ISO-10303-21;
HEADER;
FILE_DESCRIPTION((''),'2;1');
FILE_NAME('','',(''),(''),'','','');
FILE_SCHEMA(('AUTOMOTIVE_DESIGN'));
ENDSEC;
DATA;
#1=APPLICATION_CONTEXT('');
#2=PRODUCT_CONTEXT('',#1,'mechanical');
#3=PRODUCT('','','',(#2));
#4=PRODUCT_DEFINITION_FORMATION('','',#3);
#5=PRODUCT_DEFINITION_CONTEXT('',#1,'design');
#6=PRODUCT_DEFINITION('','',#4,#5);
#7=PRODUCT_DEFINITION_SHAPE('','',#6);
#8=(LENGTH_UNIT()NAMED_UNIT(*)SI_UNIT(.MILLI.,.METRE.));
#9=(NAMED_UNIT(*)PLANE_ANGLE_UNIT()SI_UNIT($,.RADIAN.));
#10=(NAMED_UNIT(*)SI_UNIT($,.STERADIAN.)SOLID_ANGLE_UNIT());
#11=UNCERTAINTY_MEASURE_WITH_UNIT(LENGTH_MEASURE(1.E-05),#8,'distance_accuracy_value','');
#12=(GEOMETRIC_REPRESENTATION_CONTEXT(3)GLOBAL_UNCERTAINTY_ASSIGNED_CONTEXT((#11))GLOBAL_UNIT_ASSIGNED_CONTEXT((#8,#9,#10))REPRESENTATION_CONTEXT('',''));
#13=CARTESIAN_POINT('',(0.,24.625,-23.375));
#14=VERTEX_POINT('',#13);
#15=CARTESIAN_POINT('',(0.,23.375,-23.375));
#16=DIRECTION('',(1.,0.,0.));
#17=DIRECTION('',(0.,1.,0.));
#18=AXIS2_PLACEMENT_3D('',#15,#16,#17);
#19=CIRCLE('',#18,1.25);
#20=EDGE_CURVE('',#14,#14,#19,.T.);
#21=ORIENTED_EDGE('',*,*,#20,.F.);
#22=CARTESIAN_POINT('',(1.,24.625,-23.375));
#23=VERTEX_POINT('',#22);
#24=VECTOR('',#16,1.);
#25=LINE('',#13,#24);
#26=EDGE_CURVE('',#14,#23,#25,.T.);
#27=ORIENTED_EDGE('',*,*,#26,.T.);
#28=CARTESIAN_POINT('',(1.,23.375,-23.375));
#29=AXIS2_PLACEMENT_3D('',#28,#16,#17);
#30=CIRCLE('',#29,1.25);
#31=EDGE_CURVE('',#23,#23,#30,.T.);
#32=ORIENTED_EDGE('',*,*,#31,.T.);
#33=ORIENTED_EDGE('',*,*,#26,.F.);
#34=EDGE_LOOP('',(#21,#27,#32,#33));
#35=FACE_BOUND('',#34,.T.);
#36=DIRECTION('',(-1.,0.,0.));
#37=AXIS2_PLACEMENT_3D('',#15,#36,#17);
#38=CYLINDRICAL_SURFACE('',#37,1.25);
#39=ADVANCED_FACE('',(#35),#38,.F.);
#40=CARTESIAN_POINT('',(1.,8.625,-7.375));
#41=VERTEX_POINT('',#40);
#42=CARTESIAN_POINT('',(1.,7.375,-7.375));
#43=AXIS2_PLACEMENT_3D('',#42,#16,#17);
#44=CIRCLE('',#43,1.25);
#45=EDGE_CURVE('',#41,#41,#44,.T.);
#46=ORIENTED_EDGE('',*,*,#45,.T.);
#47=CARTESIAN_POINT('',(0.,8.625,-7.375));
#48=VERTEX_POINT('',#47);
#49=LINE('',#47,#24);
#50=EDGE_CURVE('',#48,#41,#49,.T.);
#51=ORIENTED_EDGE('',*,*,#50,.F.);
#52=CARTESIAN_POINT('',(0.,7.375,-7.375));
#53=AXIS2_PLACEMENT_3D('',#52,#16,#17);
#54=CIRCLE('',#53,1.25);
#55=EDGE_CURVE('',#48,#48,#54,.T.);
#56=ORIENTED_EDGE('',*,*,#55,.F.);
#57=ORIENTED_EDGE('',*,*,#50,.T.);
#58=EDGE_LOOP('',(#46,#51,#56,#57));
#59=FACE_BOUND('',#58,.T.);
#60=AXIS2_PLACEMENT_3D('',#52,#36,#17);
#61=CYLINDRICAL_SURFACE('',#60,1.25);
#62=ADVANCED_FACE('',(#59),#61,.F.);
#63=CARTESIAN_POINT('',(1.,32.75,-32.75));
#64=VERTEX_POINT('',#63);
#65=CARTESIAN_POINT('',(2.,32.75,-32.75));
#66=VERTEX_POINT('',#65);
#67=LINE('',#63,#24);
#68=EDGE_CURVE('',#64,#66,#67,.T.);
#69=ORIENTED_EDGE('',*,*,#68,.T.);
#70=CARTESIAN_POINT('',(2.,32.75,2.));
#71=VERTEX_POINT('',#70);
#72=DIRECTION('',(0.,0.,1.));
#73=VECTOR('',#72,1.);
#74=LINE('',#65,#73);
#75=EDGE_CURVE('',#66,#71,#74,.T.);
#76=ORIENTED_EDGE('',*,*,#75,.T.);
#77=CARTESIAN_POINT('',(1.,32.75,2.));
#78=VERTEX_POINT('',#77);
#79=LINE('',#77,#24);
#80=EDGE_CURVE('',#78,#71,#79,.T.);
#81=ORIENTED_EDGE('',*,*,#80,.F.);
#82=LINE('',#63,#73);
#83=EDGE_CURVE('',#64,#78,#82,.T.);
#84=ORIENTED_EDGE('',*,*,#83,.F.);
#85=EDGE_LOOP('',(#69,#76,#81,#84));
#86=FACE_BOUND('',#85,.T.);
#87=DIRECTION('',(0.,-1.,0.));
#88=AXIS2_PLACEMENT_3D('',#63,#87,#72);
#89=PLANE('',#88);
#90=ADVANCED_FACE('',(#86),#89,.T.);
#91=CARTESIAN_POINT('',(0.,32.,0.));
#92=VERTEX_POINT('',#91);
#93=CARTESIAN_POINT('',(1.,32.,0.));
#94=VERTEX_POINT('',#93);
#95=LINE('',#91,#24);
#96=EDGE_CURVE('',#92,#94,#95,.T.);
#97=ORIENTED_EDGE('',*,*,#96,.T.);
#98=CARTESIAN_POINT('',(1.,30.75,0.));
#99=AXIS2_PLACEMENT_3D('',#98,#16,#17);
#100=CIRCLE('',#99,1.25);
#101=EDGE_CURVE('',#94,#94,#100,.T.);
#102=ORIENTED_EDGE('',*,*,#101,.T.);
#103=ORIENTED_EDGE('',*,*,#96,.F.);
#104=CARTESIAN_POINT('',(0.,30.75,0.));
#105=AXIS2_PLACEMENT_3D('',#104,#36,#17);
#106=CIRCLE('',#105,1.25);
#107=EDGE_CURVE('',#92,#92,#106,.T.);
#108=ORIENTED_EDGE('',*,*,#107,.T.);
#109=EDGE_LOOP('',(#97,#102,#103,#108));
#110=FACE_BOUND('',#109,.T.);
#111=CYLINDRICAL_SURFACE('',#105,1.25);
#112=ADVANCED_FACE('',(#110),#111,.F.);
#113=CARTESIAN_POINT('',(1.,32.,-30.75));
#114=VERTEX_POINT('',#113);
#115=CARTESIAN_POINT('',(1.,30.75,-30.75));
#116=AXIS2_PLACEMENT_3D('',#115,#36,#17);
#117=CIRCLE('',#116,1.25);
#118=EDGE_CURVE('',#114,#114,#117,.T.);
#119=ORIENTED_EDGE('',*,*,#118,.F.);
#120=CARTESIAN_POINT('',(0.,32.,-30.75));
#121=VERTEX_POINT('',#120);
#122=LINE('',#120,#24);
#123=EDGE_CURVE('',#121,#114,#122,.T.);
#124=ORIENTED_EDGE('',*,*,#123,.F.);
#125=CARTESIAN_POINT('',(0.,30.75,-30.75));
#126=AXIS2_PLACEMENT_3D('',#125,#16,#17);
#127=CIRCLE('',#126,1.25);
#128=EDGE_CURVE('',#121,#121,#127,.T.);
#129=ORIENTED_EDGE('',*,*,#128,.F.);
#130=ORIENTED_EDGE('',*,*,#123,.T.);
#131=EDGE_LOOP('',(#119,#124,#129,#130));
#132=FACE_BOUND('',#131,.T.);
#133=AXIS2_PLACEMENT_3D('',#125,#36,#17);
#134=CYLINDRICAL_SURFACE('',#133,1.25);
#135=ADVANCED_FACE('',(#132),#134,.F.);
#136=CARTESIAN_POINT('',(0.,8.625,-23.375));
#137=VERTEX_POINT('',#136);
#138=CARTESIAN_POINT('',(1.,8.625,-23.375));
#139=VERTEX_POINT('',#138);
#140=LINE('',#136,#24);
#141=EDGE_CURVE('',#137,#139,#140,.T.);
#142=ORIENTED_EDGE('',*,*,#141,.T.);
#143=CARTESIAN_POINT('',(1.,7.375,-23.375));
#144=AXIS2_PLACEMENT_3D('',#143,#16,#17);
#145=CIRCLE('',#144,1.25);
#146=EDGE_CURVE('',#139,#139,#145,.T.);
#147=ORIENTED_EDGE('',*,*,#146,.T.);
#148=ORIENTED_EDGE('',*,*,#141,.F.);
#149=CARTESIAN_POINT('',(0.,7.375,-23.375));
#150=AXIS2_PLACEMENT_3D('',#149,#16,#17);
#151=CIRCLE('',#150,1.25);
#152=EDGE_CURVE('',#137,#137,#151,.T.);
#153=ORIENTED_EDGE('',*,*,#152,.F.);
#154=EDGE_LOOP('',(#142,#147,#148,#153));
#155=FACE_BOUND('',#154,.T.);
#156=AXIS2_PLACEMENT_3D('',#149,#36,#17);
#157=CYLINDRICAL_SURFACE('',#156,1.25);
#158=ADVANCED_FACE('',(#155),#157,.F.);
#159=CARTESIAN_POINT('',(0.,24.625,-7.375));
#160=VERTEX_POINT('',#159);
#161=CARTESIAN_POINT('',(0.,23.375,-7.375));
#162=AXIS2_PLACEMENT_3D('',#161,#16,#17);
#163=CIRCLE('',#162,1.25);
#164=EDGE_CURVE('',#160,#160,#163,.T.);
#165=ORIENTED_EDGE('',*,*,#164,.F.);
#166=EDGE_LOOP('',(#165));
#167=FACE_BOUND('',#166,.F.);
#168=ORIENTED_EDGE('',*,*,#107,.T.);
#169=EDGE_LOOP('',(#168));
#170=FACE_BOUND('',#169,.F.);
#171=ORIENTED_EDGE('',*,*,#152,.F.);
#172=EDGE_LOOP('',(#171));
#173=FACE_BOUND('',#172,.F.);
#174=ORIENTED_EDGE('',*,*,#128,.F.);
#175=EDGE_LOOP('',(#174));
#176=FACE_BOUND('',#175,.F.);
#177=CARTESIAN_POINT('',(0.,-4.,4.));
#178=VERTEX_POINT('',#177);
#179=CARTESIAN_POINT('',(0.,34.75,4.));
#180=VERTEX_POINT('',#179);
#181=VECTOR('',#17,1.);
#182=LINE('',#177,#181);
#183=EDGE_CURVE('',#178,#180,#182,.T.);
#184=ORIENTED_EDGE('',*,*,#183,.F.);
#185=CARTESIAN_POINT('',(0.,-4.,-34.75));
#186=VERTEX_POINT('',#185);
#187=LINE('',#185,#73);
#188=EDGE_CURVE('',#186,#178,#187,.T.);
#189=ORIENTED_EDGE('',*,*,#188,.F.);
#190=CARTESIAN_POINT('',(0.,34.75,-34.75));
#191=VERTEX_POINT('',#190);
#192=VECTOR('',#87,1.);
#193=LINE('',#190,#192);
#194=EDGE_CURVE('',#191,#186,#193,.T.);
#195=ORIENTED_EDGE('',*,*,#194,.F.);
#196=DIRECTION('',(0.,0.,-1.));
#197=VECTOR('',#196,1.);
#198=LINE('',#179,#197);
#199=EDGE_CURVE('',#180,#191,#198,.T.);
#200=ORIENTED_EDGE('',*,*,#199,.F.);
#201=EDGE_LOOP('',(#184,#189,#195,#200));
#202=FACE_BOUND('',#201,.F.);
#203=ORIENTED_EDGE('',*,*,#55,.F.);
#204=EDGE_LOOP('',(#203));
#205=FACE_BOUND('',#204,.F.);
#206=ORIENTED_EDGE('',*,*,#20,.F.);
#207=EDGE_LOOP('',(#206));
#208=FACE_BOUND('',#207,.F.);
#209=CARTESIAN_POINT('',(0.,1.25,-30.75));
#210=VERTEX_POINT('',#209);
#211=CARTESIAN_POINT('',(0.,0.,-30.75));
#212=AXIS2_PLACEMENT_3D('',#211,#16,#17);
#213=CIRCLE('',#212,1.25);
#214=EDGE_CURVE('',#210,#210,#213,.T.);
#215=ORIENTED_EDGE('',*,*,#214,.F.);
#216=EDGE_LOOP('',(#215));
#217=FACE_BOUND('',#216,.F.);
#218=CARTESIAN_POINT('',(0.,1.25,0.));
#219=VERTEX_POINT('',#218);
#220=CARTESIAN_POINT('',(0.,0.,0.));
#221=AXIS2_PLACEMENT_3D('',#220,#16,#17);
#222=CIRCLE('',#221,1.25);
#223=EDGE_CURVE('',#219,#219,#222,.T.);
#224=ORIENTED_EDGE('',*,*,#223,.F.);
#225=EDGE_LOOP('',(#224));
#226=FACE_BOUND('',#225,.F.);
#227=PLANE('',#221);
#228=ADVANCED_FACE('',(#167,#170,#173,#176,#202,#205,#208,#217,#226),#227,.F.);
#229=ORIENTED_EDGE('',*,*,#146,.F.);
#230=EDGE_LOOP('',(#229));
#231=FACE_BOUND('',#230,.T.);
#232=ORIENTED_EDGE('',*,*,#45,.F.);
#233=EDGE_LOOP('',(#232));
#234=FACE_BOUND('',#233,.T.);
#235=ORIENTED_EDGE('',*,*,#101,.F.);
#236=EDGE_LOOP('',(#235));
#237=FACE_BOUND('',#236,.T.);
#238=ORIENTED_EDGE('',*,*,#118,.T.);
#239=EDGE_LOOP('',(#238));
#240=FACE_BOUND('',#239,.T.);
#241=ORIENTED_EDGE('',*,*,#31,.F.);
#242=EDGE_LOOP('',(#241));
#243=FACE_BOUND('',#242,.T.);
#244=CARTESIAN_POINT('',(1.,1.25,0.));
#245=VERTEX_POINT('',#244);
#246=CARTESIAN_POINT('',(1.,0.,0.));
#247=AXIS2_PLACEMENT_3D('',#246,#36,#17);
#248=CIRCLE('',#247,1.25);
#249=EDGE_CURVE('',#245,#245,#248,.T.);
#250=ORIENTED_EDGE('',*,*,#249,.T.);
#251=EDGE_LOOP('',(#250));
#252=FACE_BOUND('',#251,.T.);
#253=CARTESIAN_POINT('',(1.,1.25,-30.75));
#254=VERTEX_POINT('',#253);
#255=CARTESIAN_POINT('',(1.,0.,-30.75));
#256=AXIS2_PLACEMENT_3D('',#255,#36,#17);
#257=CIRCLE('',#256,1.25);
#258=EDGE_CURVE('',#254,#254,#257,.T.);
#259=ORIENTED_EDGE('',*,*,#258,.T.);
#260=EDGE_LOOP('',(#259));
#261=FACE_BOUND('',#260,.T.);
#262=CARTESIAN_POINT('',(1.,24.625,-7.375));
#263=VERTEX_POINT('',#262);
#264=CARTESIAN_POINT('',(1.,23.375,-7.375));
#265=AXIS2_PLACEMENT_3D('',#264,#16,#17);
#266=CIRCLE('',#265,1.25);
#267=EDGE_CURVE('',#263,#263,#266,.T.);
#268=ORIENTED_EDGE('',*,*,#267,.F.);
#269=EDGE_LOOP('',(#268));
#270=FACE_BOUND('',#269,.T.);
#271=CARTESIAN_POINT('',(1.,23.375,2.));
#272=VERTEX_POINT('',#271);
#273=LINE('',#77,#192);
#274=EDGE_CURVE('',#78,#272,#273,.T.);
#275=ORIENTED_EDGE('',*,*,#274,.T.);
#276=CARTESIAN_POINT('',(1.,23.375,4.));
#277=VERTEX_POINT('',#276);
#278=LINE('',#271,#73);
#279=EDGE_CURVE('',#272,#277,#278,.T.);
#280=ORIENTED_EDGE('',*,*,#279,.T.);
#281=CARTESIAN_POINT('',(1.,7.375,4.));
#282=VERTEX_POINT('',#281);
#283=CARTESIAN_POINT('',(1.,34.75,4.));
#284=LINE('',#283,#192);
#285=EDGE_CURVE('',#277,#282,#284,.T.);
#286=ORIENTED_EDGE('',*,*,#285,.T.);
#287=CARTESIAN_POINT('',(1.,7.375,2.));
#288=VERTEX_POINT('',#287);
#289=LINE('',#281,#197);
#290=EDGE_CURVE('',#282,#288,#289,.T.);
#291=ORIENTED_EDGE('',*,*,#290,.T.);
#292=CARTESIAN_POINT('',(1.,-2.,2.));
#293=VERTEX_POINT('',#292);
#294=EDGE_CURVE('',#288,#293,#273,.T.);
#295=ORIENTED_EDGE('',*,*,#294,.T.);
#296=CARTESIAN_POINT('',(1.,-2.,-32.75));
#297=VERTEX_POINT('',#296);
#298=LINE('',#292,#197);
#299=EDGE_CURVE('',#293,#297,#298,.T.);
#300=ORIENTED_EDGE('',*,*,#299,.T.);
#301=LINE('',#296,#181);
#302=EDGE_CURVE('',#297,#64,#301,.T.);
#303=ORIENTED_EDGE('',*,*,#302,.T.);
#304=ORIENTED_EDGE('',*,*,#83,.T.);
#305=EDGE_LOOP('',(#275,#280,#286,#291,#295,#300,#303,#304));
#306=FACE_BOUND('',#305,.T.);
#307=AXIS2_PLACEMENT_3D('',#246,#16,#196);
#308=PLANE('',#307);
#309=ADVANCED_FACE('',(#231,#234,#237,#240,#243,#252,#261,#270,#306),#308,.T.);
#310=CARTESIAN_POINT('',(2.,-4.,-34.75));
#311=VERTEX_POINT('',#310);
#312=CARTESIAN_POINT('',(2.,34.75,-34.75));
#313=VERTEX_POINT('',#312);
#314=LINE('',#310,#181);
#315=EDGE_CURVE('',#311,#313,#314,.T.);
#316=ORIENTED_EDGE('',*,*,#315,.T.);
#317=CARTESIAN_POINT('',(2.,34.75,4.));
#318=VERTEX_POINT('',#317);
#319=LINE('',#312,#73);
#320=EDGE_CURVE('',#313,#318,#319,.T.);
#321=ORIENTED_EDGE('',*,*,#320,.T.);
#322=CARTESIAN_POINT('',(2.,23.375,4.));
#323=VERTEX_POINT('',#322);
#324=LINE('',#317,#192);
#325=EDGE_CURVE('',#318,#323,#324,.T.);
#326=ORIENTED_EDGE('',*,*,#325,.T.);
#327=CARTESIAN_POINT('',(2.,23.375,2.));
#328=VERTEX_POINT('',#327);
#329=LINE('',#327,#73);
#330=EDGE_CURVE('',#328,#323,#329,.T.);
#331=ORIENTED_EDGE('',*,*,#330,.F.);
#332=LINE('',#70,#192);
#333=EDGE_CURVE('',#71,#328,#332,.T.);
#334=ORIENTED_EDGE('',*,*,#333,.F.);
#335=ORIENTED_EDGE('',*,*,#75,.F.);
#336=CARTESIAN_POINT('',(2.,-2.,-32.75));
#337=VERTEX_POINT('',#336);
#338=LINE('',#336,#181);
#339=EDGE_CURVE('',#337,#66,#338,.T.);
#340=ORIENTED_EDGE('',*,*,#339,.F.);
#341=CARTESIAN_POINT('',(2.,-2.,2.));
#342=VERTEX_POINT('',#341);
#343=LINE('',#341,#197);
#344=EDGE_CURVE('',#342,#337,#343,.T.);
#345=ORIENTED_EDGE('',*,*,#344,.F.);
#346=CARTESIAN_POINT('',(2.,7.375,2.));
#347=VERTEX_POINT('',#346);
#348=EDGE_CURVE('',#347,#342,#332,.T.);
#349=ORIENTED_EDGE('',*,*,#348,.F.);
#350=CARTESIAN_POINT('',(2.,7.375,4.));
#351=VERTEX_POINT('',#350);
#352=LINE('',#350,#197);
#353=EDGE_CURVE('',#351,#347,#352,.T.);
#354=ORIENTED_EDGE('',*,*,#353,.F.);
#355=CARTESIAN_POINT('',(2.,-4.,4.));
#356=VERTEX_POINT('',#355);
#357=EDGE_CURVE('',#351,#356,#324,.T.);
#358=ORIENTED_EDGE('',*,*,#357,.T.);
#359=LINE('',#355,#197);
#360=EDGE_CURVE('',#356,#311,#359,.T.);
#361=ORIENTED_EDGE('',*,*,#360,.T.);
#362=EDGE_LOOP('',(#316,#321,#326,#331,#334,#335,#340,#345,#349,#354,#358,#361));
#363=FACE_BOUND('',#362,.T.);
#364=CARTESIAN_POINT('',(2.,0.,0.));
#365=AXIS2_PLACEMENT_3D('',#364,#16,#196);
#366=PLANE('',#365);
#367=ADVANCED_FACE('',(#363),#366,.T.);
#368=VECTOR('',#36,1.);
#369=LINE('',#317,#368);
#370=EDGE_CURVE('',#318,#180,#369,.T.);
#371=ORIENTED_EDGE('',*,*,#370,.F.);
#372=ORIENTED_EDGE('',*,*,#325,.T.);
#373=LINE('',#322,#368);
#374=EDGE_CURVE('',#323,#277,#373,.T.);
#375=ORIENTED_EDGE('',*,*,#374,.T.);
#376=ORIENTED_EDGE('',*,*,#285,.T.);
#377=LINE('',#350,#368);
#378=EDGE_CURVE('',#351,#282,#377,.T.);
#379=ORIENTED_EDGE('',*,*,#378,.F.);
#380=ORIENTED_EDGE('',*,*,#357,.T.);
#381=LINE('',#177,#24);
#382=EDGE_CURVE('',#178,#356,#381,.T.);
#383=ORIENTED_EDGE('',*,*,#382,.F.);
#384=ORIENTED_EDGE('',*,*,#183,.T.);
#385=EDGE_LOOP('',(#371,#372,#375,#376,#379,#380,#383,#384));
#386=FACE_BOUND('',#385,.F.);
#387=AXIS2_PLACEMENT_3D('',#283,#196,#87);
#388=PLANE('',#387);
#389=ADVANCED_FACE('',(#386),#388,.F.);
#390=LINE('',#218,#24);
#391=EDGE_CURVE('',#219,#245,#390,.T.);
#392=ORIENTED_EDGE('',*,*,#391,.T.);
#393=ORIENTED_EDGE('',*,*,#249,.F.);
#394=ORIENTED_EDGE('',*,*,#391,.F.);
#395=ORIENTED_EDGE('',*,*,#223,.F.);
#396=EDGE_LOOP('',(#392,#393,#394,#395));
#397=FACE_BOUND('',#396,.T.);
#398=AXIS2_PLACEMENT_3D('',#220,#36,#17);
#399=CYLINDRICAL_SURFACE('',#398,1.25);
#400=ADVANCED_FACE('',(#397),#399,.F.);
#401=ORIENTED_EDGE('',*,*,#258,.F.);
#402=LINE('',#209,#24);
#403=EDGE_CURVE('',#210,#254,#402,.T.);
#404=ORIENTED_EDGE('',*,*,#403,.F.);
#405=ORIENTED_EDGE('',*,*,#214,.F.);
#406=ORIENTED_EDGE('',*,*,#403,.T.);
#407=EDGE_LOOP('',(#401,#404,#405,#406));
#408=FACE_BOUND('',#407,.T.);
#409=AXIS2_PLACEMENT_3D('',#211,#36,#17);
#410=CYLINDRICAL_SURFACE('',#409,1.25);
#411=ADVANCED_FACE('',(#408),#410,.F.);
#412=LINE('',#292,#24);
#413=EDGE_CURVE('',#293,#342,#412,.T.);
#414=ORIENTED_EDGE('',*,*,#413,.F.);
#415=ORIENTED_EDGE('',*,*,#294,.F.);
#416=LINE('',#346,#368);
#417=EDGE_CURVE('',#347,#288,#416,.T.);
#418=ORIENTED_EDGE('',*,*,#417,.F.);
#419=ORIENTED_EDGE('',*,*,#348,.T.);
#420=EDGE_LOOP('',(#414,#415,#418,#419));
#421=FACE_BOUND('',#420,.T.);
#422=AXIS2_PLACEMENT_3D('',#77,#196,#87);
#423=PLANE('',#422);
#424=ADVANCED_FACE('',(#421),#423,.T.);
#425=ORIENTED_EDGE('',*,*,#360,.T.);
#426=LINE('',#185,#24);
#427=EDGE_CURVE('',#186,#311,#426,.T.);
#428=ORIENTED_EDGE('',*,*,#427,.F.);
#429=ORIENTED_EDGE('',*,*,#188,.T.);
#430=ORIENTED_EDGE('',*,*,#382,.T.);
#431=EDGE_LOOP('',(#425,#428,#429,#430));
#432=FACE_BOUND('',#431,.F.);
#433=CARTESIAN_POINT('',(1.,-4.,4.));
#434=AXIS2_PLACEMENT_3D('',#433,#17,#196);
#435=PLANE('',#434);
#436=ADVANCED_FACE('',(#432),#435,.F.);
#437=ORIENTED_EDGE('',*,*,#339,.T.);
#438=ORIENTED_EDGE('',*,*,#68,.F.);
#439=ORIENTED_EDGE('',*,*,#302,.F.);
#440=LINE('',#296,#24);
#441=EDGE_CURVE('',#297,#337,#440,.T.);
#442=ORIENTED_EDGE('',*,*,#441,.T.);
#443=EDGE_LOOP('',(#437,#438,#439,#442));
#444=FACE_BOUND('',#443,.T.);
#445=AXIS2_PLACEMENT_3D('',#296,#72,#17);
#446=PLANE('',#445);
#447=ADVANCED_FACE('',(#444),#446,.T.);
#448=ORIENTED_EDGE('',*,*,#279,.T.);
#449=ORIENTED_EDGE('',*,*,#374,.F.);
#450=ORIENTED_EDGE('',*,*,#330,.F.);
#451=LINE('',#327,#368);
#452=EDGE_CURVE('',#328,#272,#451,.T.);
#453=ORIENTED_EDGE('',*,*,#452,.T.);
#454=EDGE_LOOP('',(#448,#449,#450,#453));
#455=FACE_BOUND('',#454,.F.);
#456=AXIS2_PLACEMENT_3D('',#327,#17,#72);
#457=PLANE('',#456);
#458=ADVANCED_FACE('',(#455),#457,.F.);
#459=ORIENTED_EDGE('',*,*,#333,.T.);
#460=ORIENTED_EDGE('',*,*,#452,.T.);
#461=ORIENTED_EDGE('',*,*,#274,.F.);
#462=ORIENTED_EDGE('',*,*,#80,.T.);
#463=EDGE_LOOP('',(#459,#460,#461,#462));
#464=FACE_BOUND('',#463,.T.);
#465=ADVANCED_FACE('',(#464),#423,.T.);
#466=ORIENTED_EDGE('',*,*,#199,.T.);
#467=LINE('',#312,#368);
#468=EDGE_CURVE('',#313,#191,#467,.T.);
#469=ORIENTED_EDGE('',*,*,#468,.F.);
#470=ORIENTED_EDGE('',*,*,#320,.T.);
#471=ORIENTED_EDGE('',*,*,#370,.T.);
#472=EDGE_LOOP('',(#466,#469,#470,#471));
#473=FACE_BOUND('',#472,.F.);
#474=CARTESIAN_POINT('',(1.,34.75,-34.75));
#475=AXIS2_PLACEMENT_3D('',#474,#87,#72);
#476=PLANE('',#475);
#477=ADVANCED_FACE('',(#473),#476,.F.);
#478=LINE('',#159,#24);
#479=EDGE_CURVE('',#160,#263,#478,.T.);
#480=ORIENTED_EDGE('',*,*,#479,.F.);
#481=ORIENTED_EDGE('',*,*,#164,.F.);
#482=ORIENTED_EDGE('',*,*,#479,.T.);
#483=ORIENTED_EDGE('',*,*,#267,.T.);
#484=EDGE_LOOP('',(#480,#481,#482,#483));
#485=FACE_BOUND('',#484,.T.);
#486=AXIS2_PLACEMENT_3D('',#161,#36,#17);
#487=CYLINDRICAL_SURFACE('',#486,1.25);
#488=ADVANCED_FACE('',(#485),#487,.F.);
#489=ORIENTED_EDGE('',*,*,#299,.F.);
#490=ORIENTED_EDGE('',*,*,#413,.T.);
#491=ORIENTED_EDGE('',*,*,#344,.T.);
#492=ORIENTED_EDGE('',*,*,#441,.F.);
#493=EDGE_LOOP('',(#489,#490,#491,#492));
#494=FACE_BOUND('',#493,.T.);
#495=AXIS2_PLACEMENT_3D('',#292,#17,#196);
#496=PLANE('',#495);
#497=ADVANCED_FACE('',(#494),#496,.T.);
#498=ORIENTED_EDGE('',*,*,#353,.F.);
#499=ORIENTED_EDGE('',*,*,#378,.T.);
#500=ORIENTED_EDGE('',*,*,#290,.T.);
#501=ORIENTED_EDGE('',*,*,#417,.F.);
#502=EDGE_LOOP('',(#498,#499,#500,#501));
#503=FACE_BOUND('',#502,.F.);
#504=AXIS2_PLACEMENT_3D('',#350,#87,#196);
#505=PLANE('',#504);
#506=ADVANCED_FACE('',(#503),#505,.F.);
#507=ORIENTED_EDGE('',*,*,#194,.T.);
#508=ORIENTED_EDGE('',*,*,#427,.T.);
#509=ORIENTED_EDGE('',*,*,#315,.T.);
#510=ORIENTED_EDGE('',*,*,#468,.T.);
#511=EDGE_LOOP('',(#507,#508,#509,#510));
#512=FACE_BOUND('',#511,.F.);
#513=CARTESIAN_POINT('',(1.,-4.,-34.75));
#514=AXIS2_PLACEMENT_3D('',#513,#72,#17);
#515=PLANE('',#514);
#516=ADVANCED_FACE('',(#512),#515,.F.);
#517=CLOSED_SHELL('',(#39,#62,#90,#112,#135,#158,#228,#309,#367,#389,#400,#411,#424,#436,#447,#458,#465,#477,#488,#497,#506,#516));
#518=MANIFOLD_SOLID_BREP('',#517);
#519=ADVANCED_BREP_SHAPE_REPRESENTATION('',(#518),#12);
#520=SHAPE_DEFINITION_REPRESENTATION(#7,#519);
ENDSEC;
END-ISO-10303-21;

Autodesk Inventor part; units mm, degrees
ref_plane "YZ Plane" through (0, 0, 0) normal (1, 0, 0) x (0, 1, 0)
ref_plane "XZ Plane" through (0, 0, 0) normal (0, 1, 0) x (-1, 0, 0)
ref_plane "XY Plane" through (0, 0, 0) normal (0, 0, 1) x (1, 0, 0)
sketch "Sketch1" plane through (0, 0, 0) normal (1, 0, 0) x (0, 1, 0)
  line L0 (0, 0) -> (30.75, 0)
  line L1 (30.75, 0) -> (30.75, -30.75)
  line L2 (30.75, -30.75) -> (0, -30.75)
  line L3 (0, -30.75) -> (0, 0)
  line L4 (32.75, -32.75) -> (32.75, 2)
  line L5 (32.75, 2) -> (-2, 2)
  line L6 (-2, 2) -> (-2, -32.75)
  line L7 (-2, -32.75) -> (32.75, -32.75)
  circle A0 centre (30.75, 0) radius 1.25
  circle A1 centre (30.75, -30.75) radius 1.25
  circle A2 centre (0, -30.75) radius 1.25
  circle A3 centre (0, 0) radius 1.25
  line L8 (-4, 4) -> (34.75, 4)
  line L9 (34.75, 4) -> (34.75, -34.75)
  line L10 (34.75, -34.75) -> (-4, -34.75)
  line L11 (-4, -34.75) -> (-4, 4)
  circle A4 centre (7.375, -7.375) radius 1.25
  circle A5 centre (7.375, -23.375) radius 1.25
  circle A6 centre (23.375, -23.375) radius 1.25
  circle A7 centre (23.375, -7.375) radius 1.25
  dimension "d0" = 30.75
  dimension "d1" = 30.75
  dimension "d2" = 2
  dimension "d3" = 2.5
  dimension "d4" = 2
  dimension "d14" = 2.5
extrude "Extrusion3" add sketch "Sketch1" along normal blind 1 contours L0 A0 L1 A1 L2 A2 L3 A3 | L7 L6 L5 L4 | L8 L9 L10 L11
sketch "Sketch3" plane through (1, 0, 0) normal (1, 0, 0) x (0, 0, -1)
  line L0 (-4, -4) -> (34.75, -4) projected
  line L1 (34.75, -4) -> (34.75, 34.75) projected
  line L2 (-4, -4) -> (34.75, -4)
  line L3 (34.75, -4) -> (34.75, 34.75)
  line L4 (34.75, 34.75) -> (-4, 34.75)
  line L5 (-4, 34.75) -> (-4, -4)
  line L6 (-2, -2) -> (32.75, -2)
  line L7 (32.75, -2) -> (32.75, 32.75)
  line L8 (32.75, 32.75) -> (-2, 32.75)
  line L9 (-2, 32.75) -> (-2, -2)
  point P0 (0, 0)
  dimension "d17" = 2
extrude "Extrusion4" add sketch "Sketch3" along normal blind 1
sketch "Sketch4" plane through (2, 0, 0) normal (1, 0, 0) x (0, 0, -1)
  line L0 (-2, 32.75) -> (-2, -2) projected
  line L1 (-2, 15.375) -> (-2, 23.375)
  line L2 (-2, 23.375) -> (-4, 23.375)
  line L3 (-4, 34.75) -> (-4, -4) projected
  line L4 (-4, 23.375) -> (-4, 7.375)
  line L5 (-4, 7.375) -> (-2, 7.375)
  line L6 (-2, 7.375) -> (-2, 15.375)
  point P0 (0, 0)
  dimension "d20" = 8
  dimension "d21" = 16
extrude "Extrusion5" cut sketch "Sketch4" against normal blind 1
properties part number "Mag_Shield_Back"
